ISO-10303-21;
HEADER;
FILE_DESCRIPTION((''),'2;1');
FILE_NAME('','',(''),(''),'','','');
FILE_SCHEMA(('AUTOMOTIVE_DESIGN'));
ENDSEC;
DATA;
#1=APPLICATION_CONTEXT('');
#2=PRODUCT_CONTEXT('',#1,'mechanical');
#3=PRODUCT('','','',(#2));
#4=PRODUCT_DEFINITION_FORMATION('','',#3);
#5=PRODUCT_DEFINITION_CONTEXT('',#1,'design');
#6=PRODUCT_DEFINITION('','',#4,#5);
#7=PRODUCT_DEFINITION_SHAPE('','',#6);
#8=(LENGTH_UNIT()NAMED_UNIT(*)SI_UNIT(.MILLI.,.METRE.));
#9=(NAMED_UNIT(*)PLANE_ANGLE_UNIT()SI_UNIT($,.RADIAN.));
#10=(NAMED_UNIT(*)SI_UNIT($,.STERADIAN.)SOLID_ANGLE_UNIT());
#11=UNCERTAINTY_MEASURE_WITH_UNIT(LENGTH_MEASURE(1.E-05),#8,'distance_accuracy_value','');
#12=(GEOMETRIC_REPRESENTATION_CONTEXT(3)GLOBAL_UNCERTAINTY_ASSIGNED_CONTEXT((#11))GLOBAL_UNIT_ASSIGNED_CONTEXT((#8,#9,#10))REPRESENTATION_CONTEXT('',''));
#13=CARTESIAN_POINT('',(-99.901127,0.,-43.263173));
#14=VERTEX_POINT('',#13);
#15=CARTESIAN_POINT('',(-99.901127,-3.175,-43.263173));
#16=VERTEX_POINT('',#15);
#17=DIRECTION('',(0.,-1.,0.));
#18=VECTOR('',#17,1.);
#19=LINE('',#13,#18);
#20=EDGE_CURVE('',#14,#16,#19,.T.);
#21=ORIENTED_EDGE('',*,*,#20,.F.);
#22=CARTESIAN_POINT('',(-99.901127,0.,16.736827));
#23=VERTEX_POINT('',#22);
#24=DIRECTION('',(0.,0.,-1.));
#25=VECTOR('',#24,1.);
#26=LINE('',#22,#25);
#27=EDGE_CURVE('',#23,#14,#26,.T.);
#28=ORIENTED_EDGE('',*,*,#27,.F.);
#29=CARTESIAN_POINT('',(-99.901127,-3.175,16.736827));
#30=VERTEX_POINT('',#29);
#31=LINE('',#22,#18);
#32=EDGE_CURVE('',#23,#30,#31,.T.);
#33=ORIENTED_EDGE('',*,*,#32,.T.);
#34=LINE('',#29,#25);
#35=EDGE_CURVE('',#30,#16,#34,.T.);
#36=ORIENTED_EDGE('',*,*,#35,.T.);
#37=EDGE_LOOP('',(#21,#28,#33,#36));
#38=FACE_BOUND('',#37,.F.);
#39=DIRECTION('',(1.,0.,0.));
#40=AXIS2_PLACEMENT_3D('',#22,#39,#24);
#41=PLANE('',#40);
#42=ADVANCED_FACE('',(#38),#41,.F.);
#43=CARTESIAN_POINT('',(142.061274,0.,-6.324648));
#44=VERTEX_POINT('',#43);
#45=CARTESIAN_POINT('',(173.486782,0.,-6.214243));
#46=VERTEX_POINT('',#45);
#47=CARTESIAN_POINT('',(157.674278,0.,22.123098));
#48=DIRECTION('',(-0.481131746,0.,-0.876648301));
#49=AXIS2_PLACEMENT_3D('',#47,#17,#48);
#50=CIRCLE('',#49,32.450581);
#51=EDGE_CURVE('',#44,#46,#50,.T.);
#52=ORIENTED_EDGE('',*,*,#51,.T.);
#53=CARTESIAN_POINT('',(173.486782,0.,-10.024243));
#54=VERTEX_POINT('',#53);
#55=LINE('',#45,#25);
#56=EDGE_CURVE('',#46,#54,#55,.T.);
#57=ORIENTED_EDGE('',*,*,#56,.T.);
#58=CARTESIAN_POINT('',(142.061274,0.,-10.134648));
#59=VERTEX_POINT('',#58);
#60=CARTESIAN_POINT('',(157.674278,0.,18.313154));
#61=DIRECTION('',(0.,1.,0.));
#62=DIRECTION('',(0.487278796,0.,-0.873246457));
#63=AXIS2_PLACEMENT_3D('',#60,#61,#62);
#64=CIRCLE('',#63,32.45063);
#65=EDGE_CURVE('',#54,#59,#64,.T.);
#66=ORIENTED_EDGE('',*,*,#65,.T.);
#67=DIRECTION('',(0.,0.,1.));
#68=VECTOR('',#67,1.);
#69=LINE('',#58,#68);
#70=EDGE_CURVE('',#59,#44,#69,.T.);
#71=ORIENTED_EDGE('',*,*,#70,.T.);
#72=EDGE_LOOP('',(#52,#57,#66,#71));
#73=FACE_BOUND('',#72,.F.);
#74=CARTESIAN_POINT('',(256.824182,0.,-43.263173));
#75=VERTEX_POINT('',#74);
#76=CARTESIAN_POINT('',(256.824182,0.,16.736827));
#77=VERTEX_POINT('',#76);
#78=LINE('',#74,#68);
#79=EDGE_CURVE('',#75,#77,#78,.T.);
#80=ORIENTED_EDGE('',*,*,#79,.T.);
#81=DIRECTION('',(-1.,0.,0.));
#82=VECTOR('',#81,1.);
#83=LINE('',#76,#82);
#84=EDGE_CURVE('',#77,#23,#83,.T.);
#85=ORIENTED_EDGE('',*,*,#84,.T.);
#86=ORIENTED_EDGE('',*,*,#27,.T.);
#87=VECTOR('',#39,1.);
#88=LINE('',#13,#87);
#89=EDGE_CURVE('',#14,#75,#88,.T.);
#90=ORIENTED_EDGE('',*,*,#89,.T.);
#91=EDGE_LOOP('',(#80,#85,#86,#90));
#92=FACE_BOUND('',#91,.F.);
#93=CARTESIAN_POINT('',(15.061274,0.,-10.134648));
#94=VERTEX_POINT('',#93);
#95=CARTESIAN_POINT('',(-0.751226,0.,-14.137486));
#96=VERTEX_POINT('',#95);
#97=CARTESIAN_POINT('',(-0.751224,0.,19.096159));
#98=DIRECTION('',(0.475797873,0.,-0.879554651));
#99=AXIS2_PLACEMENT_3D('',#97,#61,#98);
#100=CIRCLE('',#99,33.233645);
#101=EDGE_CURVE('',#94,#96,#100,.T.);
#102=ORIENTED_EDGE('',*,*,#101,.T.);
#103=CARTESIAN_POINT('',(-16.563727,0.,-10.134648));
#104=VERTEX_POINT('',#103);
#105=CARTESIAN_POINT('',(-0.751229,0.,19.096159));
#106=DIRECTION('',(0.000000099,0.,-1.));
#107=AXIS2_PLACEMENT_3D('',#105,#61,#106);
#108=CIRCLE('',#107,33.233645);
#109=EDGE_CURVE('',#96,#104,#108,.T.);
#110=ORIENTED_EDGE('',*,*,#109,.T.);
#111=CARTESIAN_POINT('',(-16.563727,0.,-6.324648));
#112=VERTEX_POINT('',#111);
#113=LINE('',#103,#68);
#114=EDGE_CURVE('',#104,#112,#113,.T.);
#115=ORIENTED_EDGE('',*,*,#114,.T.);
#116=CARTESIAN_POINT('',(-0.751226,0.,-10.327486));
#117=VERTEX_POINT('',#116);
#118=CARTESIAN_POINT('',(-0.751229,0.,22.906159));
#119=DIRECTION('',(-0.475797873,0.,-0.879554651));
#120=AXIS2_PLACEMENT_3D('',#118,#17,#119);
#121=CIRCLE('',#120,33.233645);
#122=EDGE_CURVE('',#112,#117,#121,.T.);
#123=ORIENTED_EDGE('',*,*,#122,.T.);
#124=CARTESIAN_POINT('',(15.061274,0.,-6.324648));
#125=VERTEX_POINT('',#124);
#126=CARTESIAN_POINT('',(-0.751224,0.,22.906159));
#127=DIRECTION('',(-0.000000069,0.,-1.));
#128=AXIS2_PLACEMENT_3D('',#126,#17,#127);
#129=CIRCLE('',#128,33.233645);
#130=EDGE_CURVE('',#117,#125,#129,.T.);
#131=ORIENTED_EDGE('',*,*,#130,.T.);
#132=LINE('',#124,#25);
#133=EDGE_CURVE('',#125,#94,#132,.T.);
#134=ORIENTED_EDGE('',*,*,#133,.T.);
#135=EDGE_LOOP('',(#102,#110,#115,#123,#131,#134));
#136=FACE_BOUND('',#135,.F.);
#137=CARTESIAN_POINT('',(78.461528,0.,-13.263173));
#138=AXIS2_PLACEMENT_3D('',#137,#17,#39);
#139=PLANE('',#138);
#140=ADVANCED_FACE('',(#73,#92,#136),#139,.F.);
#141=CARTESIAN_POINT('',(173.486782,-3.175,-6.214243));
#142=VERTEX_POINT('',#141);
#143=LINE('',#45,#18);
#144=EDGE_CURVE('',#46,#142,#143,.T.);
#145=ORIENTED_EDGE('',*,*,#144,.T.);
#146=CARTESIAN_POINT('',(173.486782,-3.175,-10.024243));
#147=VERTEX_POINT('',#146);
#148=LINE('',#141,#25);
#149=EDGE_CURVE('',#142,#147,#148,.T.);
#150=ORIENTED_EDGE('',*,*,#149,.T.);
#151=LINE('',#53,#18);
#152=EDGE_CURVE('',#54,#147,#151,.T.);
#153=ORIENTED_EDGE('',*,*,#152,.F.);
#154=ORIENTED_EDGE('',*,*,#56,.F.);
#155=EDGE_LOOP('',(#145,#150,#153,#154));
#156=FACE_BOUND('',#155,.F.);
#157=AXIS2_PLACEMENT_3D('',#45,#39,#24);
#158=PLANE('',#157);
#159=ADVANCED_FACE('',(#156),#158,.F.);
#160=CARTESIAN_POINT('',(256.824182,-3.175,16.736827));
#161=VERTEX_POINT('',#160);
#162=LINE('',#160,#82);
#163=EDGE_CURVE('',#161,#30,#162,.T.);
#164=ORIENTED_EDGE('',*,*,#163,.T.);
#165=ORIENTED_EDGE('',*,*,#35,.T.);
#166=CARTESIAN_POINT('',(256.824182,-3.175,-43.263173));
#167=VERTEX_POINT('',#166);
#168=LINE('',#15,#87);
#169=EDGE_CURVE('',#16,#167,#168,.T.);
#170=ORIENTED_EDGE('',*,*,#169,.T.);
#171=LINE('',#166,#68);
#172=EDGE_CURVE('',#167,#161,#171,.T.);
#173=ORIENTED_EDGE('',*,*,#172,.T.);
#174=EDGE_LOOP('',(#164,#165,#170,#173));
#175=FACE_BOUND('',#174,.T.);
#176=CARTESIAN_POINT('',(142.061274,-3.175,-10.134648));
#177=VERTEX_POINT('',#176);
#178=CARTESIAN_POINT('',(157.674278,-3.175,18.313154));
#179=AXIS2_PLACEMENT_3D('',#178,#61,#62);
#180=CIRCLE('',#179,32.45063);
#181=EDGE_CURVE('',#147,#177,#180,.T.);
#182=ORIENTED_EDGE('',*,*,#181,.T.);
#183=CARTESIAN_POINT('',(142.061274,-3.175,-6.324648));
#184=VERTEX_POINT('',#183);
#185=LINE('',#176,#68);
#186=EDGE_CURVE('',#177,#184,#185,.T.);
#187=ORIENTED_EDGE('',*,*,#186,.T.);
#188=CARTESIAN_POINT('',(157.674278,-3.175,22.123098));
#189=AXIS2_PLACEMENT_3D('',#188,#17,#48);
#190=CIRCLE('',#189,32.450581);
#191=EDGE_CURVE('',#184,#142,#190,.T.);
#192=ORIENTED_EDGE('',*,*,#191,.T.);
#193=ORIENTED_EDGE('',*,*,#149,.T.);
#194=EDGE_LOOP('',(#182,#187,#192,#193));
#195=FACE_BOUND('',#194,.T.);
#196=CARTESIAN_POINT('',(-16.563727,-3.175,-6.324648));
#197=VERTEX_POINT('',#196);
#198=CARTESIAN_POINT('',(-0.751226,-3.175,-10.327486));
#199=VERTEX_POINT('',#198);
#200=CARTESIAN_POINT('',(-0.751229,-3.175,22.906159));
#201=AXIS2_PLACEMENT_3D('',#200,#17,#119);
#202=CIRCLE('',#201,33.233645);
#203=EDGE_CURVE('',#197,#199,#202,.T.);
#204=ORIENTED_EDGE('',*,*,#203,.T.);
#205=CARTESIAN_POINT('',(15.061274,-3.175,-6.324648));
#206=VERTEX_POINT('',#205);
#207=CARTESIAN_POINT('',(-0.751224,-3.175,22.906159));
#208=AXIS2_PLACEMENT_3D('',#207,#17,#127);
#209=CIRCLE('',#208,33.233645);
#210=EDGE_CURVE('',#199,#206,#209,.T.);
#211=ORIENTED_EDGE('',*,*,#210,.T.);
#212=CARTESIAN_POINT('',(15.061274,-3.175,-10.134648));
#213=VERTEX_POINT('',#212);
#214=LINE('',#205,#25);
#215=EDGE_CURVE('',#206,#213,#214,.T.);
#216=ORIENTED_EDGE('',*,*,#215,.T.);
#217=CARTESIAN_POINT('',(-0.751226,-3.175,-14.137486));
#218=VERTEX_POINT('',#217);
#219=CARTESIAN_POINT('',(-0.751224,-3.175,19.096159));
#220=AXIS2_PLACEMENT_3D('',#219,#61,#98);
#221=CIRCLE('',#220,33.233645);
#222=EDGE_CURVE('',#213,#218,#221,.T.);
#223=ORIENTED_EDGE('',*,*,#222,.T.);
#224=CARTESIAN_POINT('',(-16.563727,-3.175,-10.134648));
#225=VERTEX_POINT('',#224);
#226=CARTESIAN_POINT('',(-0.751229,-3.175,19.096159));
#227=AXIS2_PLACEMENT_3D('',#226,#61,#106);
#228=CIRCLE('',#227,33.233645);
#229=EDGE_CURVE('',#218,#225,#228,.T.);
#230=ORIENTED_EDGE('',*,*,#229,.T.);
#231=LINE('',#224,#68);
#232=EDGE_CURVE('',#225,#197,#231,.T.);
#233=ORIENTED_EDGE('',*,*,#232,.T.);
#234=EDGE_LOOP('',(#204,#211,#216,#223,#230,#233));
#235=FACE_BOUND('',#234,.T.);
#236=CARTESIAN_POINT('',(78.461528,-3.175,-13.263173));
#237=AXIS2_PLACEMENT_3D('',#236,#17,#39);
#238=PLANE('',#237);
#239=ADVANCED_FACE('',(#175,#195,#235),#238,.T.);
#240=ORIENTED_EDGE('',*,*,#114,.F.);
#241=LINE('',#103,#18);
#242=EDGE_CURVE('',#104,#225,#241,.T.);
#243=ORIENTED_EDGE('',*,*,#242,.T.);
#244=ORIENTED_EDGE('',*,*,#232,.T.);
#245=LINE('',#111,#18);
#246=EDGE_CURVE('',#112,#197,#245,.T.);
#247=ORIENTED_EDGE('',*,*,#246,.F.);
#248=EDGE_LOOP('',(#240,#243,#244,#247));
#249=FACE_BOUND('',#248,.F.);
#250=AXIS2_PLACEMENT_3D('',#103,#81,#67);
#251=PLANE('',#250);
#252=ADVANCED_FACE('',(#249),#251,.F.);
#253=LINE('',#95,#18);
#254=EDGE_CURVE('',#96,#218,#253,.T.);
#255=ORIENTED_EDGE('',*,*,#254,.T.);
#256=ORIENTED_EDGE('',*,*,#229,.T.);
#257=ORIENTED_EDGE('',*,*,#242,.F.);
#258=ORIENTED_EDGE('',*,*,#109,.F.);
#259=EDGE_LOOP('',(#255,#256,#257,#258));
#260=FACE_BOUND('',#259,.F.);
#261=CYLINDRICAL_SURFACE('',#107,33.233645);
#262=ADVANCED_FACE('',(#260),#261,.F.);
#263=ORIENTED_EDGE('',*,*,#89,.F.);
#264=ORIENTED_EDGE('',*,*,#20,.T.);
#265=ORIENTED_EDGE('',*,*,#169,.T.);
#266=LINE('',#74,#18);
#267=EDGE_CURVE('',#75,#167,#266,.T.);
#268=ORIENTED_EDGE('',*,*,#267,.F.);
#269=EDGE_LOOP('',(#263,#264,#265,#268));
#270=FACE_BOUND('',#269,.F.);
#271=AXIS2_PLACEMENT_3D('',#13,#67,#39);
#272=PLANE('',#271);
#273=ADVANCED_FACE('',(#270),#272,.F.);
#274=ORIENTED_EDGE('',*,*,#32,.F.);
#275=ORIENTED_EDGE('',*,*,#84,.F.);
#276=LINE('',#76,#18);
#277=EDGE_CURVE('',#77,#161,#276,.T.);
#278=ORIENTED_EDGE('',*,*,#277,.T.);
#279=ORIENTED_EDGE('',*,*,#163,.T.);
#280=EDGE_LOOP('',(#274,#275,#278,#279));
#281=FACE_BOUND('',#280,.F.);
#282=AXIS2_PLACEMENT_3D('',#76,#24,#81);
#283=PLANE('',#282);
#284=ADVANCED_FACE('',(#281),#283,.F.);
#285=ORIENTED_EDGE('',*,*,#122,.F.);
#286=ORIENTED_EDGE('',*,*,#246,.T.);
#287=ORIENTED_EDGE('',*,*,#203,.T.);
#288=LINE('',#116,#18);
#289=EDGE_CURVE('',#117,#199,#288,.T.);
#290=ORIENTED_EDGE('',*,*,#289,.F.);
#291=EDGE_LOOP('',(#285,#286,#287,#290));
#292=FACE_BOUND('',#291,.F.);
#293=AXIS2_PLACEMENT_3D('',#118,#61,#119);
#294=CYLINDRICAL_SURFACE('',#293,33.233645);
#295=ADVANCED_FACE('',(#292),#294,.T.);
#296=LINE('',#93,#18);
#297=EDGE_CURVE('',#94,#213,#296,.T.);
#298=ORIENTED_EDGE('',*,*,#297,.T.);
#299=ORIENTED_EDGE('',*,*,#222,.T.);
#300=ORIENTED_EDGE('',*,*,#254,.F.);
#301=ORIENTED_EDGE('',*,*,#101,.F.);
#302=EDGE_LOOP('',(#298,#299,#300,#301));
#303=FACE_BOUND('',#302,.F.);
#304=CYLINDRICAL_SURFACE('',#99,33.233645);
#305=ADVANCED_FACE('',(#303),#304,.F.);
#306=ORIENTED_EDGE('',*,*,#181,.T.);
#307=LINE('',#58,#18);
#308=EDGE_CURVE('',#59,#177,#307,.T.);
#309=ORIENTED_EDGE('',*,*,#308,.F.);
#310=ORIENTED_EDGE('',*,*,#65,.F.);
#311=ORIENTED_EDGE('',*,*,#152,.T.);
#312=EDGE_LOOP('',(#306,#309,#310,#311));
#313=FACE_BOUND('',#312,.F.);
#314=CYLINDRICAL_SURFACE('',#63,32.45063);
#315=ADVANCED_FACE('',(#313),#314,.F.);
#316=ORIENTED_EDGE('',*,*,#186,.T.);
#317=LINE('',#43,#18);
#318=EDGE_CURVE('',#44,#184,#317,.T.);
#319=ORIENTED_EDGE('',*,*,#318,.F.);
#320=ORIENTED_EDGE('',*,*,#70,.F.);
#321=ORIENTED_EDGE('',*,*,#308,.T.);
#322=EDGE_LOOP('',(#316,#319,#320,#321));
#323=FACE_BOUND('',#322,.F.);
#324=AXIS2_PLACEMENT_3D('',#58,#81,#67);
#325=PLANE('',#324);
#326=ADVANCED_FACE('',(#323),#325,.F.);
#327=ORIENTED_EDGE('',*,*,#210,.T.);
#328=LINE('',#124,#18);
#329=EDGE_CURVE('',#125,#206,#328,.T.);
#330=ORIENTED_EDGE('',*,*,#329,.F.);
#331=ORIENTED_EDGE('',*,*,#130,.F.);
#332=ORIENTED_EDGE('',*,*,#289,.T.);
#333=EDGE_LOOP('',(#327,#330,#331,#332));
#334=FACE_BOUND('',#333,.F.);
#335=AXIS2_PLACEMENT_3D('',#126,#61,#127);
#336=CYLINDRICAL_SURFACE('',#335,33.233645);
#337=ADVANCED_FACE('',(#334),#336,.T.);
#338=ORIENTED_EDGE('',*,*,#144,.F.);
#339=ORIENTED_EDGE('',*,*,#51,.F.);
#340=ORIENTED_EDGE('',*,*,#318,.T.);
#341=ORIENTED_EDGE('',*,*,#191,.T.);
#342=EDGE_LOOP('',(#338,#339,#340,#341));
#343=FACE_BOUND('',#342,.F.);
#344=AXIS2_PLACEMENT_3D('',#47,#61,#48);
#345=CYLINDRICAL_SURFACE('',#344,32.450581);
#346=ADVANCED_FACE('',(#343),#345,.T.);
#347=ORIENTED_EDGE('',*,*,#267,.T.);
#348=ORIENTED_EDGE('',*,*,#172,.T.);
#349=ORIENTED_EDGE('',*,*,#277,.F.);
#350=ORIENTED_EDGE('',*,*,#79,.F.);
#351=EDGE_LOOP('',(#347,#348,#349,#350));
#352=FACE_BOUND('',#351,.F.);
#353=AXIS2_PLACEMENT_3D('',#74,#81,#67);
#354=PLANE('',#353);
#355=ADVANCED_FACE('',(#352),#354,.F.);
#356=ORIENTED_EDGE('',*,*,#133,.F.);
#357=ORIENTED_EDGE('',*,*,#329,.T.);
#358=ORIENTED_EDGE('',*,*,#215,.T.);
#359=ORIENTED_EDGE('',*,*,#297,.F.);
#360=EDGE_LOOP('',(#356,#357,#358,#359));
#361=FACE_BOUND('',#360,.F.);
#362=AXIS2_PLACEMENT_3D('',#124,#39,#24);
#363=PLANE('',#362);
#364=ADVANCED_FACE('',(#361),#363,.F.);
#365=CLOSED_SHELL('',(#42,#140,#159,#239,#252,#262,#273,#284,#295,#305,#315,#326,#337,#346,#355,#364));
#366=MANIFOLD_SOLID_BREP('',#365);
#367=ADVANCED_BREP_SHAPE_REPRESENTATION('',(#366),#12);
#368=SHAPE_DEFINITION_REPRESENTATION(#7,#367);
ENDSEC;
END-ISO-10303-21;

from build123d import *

# Parameters (mm, degrees)
F1_DEPTH = 3.175


with BuildPart() as f1:
    # F0 (on Front) → F1 (new body)
    with BuildSketch(Plane.XZ):
        Polygon((98.386274, 16.736827), (-51.613726, 16.736827), (-99.901127, 16.736827), (-99.901127, -43.263173), (-51.613726, -43.263173), (98.386274, -43.263173), (256.824182, -43.263173), (256.824182, 16.736827), align=None)
        with BuildLine():
            Line((-16.563727, -10.134648), (-16.563727, -6.324648))
            ThreePointArc((-16.563727, -6.324648), (-8.906867, -9.311239), (-0.751226, -10.327486))
            ThreePointArc((-0.751226, -10.327486), (7.404414, -9.311239), (15.061274, -6.324648))
            Line((15.061274, -6.324648), (15.061274, -10.134648))
            ThreePointArc((15.061274, -10.134648), (7.404414, -13.121239), (-0.751226, -14.137486))
            ThreePointArc((-0.751226, -14.137486), (-8.906867, -13.121239), (-16.563727, -10.134648))
        make_face(mode=Mode.SUBTRACT)
        with BuildLine():
            Line((142.061274, -10.134648), (142.061274, -6.324648))
            ThreePointArc((142.061274, -6.324648), (157.788284, -10.327282), (173.486782, -6.214243))
            Line((173.486782, -6.214243), (173.486782, -10.024243))
            ThreePointArc((173.486782, -10.024243), (157.788284, -14.137275), (142.061274, -10.134648))
        make_face(mode=Mode.SUBTRACT)
    extrude(amount=F1_DEPTH)


solid = f1.part
